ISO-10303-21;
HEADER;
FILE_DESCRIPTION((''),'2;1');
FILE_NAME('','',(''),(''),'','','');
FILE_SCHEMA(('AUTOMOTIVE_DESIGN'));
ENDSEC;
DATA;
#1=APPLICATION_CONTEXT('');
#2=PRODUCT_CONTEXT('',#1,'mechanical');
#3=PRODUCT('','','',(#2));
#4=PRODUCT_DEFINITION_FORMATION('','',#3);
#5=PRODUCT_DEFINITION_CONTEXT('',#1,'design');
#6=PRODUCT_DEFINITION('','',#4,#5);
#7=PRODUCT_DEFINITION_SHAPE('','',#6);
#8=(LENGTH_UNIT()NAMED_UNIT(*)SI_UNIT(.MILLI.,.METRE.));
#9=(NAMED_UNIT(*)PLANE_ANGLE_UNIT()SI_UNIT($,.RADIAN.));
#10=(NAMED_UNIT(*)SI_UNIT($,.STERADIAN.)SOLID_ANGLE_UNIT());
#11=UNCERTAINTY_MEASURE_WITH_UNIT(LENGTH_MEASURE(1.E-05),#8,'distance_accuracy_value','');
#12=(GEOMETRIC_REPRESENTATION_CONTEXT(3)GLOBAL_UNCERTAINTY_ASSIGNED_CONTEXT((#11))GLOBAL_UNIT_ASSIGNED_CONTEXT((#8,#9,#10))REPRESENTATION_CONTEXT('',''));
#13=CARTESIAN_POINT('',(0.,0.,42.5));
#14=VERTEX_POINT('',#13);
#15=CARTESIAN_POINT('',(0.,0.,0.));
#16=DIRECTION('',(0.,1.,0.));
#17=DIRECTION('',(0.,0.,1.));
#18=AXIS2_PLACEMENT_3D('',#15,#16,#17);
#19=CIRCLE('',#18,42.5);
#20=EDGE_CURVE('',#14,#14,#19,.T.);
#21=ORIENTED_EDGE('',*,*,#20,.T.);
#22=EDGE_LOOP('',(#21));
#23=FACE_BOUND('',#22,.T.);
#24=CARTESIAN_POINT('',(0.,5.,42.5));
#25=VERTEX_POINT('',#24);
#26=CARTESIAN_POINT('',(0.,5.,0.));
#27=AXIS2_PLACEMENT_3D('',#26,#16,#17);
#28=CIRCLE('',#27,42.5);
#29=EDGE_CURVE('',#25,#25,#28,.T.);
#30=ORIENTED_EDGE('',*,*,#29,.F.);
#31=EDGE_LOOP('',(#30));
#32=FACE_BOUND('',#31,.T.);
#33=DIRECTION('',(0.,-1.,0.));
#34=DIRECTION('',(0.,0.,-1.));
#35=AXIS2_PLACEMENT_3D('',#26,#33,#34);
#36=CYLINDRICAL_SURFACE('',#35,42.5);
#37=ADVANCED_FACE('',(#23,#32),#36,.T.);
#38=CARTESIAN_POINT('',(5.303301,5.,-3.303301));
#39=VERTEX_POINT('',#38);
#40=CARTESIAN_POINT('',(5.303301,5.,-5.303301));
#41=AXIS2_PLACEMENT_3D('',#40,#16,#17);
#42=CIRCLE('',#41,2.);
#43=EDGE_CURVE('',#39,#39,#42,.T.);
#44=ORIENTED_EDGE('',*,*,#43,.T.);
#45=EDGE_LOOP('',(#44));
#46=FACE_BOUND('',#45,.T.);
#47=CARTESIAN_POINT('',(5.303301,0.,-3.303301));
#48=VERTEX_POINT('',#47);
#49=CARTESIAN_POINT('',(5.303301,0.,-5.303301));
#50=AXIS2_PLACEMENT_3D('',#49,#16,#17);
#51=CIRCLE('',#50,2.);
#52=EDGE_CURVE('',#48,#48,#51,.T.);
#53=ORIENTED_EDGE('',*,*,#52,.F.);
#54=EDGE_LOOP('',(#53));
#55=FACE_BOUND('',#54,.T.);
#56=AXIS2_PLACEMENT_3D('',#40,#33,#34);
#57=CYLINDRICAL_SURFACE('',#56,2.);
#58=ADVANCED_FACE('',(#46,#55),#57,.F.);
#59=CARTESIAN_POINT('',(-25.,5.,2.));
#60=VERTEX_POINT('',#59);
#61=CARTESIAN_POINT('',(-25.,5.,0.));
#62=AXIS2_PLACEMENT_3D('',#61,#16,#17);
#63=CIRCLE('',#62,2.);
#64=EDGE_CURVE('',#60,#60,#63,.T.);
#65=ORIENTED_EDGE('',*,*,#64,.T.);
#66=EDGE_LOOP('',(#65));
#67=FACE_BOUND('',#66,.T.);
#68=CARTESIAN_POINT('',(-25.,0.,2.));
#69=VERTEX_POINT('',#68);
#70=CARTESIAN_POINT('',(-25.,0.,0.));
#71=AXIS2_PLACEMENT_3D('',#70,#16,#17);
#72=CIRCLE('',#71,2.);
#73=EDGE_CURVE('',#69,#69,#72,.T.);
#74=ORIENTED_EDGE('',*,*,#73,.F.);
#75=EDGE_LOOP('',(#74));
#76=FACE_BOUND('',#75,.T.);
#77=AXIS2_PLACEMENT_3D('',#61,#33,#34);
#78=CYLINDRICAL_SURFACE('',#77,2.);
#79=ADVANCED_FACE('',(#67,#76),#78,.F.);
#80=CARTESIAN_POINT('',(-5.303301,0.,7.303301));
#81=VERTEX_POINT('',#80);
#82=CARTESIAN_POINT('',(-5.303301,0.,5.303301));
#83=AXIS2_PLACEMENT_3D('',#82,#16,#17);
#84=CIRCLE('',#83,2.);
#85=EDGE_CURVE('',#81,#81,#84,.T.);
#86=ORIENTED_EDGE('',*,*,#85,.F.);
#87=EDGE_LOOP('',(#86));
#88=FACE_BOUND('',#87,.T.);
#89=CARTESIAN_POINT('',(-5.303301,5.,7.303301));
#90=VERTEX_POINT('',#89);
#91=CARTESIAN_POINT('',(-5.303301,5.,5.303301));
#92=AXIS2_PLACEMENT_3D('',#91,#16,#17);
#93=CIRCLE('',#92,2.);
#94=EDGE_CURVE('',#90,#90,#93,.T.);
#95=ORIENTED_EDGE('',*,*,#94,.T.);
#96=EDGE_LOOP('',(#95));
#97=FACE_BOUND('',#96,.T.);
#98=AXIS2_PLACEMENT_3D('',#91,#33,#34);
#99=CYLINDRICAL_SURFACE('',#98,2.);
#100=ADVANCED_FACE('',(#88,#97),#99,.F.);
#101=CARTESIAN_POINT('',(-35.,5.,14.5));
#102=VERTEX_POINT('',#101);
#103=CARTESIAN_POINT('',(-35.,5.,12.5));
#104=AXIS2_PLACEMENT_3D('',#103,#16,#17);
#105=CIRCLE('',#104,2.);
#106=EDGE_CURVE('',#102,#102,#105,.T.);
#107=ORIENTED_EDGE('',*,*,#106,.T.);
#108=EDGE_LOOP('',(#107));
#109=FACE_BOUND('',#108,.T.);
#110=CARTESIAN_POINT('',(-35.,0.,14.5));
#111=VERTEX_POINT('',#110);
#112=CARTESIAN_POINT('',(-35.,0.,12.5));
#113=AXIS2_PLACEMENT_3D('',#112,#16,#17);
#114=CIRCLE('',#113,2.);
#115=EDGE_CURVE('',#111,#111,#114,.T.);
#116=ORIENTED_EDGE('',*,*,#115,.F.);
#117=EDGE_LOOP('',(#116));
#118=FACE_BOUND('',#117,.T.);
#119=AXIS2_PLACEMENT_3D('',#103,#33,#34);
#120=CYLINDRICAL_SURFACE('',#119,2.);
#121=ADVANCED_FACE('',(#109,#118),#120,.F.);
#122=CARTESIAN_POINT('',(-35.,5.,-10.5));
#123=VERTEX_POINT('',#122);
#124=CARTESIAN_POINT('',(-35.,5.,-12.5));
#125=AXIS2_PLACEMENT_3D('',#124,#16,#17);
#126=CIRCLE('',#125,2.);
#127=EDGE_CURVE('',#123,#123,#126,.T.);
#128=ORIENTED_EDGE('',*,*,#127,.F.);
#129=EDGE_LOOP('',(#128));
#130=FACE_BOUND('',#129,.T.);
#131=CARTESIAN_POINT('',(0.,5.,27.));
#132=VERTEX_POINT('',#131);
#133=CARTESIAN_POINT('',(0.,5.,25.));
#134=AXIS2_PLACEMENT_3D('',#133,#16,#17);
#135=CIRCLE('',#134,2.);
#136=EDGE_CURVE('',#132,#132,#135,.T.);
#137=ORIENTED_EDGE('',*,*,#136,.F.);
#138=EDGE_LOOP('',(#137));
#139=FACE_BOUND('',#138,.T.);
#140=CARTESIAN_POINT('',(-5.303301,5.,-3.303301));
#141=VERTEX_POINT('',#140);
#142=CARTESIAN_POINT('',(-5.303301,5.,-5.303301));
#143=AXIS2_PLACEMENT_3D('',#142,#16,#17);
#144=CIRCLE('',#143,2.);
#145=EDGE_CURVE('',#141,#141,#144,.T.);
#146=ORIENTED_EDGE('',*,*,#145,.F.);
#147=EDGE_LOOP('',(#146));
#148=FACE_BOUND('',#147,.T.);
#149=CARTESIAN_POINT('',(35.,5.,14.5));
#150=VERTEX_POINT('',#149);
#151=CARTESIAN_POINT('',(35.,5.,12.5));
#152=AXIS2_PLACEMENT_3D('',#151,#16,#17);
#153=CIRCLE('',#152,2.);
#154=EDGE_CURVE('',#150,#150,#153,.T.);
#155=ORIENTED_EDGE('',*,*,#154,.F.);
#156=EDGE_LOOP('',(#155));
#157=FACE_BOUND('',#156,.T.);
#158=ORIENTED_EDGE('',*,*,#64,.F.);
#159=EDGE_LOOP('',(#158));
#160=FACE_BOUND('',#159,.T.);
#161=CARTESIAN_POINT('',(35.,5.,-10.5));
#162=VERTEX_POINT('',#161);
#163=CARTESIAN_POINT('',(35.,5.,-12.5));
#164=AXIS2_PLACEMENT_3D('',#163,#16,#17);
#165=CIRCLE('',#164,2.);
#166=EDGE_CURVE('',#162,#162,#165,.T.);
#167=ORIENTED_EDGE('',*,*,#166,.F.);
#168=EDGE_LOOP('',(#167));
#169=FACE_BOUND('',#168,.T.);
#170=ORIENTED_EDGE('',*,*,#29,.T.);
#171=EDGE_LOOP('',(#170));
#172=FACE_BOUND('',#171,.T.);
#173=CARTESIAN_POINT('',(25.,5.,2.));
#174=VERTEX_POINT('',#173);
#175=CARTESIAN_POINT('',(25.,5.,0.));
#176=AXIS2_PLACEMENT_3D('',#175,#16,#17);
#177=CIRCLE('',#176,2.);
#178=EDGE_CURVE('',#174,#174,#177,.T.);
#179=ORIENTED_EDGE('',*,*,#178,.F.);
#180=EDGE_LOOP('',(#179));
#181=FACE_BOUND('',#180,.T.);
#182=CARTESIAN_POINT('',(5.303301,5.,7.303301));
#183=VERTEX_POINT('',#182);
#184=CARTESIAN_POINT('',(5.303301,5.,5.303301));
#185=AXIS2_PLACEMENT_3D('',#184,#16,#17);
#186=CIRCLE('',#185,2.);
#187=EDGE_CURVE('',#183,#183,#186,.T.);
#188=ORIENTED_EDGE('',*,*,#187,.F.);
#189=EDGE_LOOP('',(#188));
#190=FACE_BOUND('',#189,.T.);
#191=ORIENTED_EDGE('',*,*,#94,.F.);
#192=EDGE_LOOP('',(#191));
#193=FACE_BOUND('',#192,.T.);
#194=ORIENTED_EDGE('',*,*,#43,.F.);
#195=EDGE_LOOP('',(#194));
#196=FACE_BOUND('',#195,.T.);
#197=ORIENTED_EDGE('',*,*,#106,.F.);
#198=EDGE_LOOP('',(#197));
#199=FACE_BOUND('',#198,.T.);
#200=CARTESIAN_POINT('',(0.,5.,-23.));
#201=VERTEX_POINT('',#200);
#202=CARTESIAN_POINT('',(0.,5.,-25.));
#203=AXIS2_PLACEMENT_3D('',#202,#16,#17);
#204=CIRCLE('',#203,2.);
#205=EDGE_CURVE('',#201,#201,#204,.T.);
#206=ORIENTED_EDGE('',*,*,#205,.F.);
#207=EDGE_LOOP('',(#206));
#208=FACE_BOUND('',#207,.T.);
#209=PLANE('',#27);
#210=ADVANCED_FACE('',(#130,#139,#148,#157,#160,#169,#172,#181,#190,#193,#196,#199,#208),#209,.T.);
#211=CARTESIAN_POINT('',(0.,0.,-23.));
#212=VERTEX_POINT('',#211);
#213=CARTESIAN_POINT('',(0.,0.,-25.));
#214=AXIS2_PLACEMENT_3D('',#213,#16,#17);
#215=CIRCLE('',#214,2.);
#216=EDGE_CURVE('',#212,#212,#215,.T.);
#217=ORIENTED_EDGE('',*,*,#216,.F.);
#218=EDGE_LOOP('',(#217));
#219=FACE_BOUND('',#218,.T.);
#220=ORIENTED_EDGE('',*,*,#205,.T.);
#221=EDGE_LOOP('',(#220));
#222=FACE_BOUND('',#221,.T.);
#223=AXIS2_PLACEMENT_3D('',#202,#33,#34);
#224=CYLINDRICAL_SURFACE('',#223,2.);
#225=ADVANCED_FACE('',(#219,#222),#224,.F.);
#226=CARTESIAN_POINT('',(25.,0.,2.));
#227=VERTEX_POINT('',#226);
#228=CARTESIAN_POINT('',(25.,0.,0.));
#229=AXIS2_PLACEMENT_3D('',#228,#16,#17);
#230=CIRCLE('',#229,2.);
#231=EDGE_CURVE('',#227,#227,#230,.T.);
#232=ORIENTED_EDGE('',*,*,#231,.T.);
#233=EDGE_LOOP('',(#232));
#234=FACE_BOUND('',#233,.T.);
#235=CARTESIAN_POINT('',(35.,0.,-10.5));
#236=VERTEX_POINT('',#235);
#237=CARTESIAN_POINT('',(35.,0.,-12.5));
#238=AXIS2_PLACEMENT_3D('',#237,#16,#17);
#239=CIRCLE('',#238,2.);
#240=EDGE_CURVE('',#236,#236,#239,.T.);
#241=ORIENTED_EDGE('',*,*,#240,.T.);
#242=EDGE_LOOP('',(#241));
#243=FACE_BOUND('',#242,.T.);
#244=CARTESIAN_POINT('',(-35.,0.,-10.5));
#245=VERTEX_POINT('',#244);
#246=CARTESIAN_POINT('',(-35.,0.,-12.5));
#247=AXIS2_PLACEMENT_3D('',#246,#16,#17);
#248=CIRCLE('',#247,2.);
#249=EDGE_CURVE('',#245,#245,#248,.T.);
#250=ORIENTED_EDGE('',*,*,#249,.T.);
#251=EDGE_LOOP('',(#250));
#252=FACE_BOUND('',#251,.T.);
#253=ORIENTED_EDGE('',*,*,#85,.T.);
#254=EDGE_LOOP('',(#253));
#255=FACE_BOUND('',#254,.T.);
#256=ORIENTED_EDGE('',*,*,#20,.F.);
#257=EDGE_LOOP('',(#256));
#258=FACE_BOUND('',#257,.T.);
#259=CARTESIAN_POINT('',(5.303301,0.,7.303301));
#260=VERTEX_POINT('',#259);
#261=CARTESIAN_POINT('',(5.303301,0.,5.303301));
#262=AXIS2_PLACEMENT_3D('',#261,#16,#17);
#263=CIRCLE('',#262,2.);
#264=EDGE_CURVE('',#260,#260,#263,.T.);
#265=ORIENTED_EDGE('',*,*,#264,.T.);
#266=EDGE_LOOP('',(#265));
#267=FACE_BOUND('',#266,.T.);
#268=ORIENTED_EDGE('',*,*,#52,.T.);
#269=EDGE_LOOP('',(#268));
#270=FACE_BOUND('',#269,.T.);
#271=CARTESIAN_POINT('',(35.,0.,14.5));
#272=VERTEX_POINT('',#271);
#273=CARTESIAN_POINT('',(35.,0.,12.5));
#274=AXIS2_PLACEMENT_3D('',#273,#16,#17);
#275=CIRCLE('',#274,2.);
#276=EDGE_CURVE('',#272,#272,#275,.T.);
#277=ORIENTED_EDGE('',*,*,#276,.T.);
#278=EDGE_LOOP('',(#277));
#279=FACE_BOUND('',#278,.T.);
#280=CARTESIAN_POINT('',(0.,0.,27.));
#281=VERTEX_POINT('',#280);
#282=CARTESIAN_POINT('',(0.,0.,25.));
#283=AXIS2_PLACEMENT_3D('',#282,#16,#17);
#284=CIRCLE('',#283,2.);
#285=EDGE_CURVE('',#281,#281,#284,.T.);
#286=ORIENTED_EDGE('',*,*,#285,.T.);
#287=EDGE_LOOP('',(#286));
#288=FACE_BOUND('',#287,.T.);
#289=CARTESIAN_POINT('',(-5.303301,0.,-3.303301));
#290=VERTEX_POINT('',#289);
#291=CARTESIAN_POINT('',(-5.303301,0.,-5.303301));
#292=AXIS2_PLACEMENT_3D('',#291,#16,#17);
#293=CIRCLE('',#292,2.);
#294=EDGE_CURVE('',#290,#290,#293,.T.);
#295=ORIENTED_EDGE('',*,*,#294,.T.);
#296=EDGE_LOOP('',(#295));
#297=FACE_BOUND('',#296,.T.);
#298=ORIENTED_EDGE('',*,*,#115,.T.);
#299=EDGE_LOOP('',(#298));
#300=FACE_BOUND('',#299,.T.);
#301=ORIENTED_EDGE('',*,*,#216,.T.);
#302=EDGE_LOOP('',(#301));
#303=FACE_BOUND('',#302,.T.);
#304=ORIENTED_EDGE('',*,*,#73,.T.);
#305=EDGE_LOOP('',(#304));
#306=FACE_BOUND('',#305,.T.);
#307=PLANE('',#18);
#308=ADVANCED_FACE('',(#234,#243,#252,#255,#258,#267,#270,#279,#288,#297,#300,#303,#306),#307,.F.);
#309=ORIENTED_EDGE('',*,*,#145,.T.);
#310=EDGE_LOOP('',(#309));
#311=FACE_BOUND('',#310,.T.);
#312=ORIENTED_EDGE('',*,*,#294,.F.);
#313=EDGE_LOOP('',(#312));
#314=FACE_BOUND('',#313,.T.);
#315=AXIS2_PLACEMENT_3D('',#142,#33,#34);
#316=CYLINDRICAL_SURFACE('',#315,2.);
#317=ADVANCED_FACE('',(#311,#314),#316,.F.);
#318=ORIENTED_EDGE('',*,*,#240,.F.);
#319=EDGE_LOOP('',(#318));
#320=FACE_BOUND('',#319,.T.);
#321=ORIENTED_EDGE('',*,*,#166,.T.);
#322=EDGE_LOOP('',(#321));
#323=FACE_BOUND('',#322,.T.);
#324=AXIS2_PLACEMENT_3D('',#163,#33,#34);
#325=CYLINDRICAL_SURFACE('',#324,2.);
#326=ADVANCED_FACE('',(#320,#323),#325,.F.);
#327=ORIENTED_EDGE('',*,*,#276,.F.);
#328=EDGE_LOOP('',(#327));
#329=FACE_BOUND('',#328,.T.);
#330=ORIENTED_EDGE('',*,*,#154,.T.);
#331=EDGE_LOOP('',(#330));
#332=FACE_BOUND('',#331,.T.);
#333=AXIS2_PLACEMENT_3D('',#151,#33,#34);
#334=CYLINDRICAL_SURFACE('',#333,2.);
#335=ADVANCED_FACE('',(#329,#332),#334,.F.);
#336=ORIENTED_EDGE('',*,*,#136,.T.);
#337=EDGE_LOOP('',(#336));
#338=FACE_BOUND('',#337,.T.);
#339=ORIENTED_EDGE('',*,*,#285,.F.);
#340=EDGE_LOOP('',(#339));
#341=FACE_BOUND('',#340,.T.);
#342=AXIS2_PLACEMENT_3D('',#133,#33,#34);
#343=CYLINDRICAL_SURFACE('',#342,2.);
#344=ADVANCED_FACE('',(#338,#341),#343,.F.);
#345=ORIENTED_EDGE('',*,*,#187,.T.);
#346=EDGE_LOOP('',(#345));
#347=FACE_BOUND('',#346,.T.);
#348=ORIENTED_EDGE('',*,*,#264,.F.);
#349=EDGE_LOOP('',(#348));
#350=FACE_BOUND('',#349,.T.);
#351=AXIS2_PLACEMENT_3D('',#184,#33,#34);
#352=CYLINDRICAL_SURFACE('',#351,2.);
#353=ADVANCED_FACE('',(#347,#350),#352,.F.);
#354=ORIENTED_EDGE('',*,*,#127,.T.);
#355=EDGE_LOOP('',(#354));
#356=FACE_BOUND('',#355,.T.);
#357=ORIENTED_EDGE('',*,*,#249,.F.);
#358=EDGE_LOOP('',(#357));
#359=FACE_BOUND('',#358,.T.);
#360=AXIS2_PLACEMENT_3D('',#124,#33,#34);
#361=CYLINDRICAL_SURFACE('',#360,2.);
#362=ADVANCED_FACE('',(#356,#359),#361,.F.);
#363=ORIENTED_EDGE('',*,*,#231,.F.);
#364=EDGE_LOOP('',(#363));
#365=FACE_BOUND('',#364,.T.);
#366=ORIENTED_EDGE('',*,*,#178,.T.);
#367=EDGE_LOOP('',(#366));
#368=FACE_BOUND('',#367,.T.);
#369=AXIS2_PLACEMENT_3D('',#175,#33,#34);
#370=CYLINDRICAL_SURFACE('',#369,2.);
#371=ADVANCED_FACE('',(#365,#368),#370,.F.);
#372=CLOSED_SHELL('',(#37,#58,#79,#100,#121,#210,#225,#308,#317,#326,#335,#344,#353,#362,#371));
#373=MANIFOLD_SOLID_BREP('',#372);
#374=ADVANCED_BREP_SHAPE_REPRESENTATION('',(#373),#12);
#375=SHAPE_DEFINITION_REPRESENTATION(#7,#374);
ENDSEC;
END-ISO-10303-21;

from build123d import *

# Parameters (mm, degrees)
SKETCH_1_R      = 42.5
SKETCH_1_R_2    = 2
EXTRUDE_1_DEPTH = 5


with BuildPart() as part:
    # ｽｹｯﾁ1 → ﾎﾞｽ - 押し出し1 (new body)
    with BuildSketch(Plane(origin=(0, 0, 0), x_dir=(1, 0, 0), z_dir=(0, 1, 0))):
        with Locations(Location((0, 0, 0), (0, 0, 270))):
            Circle(SKETCH_1_R)
        with Locations(Location((5.303300859, 5.303300859, 0), (0, 0, 270))):
            Circle(SKETCH_1_R_2, mode=Mode.SUBTRACT)
        with Locations(Location((5.303300859, -5.303300859, 0), (0, 0, 270))):
            Circle(SKETCH_1_R_2, mode=Mode.SUBTRACT)
        with Locations(Location((-5.303300859, -5.303300859, 0), (0, 0, 270))):
            Circle(SKETCH_1_R_2, mode=Mode.SUBTRACT)
        with Locations(Location((-5.303300859, 5.303300859, 0), (0, 0, 270))):
            Circle(SKETCH_1_R_2, mode=Mode.SUBTRACT)
        with Locations(Location((25, 0, 0), (0, 0, 270))):
            Circle(SKETCH_1_R_2, mode=Mode.SUBTRACT)
        with Locations(Location((0, -25, 0), (0, 0, 270))):
            Circle(SKETCH_1_R_2, mode=Mode.SUBTRACT)
        with Locations(Location((-25, 0, 0), (0, 0, 270))):
            Circle(SKETCH_1_R_2, mode=Mode.SUBTRACT)
        with Locations(Location((0, 25, 0), (0, 0, 270))):
            Circle(SKETCH_1_R_2, mode=Mode.SUBTRACT)
        with Locations(Location((35, 12.5, 0), (0, 0, 270))):
            Circle(SKETCH_1_R_2, mode=Mode.SUBTRACT)
        with Locations(Location((35, -12.5, 0), (0, 0, 270))):
            Circle(SKETCH_1_R_2, mode=Mode.SUBTRACT)
        with Locations(Location((-35, -12.5, 0), (0, 0, 270))):
            Circle(SKETCH_1_R_2, mode=Mode.SUBTRACT)
        with Locations(Location((-35, 12.5, 0), (0, 0, 270))):
            Circle(SKETCH_1_R_2, mode=Mode.SUBTRACT)
    extrude(amount=EXTRUDE_1_DEPTH)


solid = part.part
